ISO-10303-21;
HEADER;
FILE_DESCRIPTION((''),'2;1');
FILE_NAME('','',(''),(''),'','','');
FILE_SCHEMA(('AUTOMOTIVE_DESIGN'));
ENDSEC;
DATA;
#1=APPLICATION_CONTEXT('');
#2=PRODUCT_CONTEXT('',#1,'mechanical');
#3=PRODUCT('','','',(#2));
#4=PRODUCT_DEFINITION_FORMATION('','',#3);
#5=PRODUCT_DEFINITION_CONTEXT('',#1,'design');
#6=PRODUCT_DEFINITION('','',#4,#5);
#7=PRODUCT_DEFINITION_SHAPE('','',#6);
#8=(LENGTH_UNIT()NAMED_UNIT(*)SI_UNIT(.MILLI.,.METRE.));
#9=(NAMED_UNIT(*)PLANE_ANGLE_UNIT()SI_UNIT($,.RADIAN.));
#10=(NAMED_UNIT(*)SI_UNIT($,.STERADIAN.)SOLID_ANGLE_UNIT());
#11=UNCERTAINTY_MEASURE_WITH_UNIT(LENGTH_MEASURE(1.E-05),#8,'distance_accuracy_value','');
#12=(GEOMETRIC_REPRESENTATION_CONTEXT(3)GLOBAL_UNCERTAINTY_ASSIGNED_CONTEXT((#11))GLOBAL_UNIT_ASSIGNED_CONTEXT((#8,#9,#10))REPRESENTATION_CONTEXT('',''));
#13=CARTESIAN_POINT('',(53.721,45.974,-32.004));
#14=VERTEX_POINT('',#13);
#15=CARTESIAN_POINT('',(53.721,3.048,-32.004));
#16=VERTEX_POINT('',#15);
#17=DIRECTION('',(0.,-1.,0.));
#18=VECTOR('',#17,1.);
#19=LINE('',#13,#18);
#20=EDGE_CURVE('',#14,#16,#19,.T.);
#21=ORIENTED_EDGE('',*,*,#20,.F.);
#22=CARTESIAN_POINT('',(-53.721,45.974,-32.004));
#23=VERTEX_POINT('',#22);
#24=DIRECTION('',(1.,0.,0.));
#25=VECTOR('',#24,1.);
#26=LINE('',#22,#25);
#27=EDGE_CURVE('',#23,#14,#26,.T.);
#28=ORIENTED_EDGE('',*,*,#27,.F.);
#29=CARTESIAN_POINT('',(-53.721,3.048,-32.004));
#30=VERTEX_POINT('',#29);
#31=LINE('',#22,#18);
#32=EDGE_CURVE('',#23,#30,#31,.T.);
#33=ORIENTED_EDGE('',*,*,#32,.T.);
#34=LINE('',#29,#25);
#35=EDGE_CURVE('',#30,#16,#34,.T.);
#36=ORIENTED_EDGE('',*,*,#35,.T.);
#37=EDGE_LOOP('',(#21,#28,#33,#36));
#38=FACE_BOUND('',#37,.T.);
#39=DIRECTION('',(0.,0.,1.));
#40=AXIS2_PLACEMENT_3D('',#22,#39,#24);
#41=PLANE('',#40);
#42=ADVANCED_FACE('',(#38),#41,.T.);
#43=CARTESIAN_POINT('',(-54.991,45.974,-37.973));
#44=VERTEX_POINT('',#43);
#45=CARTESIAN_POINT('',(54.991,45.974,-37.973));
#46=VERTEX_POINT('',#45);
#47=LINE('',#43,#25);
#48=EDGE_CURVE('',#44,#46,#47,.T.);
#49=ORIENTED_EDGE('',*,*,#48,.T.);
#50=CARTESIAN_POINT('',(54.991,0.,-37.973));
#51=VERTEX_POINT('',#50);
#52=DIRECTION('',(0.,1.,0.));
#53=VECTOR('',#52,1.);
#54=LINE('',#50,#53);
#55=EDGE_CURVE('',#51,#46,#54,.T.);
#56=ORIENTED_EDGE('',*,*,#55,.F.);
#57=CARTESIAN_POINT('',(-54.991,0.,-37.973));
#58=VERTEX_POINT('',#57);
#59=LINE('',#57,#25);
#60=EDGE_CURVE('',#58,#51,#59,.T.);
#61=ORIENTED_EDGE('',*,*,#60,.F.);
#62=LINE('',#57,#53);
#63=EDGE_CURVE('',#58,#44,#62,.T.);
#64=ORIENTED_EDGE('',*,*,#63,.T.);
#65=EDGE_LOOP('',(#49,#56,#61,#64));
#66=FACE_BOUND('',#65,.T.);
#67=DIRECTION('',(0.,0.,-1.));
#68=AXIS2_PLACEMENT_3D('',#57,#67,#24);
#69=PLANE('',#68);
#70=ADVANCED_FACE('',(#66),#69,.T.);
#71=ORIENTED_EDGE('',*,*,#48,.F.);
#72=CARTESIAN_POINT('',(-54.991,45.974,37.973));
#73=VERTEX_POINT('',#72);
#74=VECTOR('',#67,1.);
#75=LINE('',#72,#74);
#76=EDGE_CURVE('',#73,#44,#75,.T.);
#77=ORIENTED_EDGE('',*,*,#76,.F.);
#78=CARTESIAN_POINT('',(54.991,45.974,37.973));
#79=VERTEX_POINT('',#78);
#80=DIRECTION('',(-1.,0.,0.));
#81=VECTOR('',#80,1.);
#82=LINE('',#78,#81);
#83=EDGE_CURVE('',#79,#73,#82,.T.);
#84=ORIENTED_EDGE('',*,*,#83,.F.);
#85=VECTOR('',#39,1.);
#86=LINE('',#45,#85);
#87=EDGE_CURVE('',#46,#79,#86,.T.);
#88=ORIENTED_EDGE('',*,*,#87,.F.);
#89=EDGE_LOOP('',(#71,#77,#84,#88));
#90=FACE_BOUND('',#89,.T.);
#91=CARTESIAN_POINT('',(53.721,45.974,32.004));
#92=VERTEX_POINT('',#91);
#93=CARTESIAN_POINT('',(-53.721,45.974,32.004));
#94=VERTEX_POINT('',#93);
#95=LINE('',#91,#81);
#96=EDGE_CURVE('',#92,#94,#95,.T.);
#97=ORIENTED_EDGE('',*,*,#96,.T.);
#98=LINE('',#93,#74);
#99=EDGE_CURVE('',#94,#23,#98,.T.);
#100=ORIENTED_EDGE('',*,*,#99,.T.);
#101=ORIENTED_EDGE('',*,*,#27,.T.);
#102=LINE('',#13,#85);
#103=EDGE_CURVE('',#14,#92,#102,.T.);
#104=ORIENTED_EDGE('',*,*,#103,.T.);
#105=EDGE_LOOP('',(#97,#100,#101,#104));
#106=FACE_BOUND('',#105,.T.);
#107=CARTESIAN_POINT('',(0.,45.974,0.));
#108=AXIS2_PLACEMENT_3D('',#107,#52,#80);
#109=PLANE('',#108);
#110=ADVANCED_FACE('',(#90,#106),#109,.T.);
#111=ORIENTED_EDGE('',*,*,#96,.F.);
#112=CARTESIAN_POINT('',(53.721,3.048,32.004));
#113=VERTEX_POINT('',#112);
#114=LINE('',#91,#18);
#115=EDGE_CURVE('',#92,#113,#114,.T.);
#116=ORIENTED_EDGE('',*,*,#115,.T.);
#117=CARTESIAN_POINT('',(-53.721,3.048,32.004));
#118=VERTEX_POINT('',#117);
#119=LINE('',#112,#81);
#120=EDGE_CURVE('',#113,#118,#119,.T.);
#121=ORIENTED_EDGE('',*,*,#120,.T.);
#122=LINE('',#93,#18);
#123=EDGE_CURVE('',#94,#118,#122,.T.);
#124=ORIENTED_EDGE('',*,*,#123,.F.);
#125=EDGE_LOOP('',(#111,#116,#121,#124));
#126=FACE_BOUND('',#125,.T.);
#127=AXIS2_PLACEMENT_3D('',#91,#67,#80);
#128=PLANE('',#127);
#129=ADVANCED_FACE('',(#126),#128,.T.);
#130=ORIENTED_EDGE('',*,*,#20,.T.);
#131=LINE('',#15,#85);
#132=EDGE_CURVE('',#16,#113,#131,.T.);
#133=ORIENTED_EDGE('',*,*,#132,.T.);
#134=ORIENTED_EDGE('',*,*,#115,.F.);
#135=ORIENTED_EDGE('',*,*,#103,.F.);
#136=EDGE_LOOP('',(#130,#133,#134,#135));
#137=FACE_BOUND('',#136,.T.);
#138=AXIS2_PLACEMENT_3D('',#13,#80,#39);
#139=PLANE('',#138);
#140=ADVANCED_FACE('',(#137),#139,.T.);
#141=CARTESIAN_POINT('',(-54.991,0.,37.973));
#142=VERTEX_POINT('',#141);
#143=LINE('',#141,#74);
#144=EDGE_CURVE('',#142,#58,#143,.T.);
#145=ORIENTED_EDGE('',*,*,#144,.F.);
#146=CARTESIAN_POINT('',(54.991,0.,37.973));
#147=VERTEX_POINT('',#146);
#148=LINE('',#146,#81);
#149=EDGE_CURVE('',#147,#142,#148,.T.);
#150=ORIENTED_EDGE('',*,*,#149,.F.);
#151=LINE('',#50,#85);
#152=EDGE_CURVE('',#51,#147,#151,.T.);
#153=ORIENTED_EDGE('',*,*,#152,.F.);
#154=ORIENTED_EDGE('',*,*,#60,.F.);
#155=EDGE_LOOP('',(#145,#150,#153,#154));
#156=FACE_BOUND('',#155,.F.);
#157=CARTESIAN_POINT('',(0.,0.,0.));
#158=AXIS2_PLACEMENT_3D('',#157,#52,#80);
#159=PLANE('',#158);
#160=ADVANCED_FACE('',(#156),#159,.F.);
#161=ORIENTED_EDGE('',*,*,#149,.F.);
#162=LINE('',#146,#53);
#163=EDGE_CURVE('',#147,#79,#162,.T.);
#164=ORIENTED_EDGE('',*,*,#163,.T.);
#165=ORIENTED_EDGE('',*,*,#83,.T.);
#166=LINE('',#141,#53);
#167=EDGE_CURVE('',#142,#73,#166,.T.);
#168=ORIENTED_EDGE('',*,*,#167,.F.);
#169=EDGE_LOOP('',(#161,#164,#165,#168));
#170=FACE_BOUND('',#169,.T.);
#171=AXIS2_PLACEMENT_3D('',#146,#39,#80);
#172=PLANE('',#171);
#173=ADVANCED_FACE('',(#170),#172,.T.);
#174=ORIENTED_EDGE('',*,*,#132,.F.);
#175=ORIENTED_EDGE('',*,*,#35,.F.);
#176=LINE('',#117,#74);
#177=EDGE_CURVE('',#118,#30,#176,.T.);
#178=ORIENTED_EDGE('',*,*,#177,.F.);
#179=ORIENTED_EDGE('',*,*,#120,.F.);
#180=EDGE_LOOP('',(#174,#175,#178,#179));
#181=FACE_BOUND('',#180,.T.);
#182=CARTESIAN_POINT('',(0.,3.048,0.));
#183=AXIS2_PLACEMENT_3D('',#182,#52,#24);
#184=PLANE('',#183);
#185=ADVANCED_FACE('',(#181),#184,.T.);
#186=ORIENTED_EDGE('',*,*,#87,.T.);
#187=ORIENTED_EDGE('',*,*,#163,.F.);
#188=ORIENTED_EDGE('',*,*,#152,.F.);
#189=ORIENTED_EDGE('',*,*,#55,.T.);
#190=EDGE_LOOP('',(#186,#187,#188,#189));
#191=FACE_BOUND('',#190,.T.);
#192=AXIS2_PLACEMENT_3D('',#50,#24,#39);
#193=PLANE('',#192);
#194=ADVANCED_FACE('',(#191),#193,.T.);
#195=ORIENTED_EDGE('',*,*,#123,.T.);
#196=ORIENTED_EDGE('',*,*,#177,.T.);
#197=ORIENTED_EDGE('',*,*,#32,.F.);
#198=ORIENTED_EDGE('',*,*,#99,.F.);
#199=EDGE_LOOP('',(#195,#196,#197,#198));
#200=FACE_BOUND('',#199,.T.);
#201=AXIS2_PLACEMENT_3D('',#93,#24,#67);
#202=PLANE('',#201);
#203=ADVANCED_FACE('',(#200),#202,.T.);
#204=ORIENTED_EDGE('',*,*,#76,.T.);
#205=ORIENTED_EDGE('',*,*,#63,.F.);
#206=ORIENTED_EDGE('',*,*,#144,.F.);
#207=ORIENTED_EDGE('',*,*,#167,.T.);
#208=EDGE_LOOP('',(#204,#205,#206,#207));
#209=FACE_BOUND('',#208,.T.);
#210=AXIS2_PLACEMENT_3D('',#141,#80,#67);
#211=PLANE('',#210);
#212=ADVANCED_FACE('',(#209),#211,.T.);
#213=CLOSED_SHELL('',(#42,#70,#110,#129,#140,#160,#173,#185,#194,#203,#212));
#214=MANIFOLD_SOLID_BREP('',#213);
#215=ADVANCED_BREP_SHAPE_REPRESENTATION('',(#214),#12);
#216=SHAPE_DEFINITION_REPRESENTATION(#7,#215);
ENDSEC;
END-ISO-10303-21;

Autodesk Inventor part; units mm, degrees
ref_plane "YZ Plane" through (0, 0, 0) normal (1, 0, 0) x (0, 1, 0)
ref_plane "XZ Plane" through (0, 0, 0) normal (0, 1, 0) x (-1, 0, 0)
ref_plane "XY Plane" through (0, 0, 0) normal (0, 0, 1) x (1, 0, 0)
sketch "Sketch1" plane through (0, 0, 0) normal (0, 1, 0) x (-1, 0, 0)
  line L0 (-54.991, 37.973) -> (54.991, 37.973)
  line L1 (54.991, 37.973) -> (54.991, -37.973)
  line L2 (54.991, -37.973) -> (-54.991, -37.973)
  line L3 (-54.991, -37.973) -> (-54.991, 37.973)
  line L4 (-54.991, 37.973) -> (54.991, -37.973) construction
  line L5 (54.991, 37.973) -> (-54.991, -37.973) construction
  point P0 (0, 0)
  dimension "d0" = 109.982
  dimension "d1" = 75.946
extrude "Extrusion1" add sketch "Sketch1" along normal blind 45.974
sketch "Sketch2" plane through (0, 45.974, 0) normal (0, 1, 0) x (1, 0, 0)
  line L0 (53.721, -32.004) -> (-53.721, -32.004)
  line L1 (-53.721, -32.004) -> (-53.721, 32.004)
  line L2 (-53.721, 32.004) -> (53.721, 32.004)
  line L3 (53.721, 32.004) -> (53.721, -32.004)
  line L4 (53.721, -32.004) -> (-53.721, 32.004) construction
  line L5 (-53.721, -32.004) -> (53.721, 32.004) construction
  line L6 (-54.991, 37.973) -> (-54.991, -37.973) projected
  point P0 (0, 0)
  dimension "d4" = 1.27
  dimension "d5" = 64.008
extrude "Extrusion2" cut sketch "Sketch2" against normal blind 42.926
properties part number "aluminium_project_box"
